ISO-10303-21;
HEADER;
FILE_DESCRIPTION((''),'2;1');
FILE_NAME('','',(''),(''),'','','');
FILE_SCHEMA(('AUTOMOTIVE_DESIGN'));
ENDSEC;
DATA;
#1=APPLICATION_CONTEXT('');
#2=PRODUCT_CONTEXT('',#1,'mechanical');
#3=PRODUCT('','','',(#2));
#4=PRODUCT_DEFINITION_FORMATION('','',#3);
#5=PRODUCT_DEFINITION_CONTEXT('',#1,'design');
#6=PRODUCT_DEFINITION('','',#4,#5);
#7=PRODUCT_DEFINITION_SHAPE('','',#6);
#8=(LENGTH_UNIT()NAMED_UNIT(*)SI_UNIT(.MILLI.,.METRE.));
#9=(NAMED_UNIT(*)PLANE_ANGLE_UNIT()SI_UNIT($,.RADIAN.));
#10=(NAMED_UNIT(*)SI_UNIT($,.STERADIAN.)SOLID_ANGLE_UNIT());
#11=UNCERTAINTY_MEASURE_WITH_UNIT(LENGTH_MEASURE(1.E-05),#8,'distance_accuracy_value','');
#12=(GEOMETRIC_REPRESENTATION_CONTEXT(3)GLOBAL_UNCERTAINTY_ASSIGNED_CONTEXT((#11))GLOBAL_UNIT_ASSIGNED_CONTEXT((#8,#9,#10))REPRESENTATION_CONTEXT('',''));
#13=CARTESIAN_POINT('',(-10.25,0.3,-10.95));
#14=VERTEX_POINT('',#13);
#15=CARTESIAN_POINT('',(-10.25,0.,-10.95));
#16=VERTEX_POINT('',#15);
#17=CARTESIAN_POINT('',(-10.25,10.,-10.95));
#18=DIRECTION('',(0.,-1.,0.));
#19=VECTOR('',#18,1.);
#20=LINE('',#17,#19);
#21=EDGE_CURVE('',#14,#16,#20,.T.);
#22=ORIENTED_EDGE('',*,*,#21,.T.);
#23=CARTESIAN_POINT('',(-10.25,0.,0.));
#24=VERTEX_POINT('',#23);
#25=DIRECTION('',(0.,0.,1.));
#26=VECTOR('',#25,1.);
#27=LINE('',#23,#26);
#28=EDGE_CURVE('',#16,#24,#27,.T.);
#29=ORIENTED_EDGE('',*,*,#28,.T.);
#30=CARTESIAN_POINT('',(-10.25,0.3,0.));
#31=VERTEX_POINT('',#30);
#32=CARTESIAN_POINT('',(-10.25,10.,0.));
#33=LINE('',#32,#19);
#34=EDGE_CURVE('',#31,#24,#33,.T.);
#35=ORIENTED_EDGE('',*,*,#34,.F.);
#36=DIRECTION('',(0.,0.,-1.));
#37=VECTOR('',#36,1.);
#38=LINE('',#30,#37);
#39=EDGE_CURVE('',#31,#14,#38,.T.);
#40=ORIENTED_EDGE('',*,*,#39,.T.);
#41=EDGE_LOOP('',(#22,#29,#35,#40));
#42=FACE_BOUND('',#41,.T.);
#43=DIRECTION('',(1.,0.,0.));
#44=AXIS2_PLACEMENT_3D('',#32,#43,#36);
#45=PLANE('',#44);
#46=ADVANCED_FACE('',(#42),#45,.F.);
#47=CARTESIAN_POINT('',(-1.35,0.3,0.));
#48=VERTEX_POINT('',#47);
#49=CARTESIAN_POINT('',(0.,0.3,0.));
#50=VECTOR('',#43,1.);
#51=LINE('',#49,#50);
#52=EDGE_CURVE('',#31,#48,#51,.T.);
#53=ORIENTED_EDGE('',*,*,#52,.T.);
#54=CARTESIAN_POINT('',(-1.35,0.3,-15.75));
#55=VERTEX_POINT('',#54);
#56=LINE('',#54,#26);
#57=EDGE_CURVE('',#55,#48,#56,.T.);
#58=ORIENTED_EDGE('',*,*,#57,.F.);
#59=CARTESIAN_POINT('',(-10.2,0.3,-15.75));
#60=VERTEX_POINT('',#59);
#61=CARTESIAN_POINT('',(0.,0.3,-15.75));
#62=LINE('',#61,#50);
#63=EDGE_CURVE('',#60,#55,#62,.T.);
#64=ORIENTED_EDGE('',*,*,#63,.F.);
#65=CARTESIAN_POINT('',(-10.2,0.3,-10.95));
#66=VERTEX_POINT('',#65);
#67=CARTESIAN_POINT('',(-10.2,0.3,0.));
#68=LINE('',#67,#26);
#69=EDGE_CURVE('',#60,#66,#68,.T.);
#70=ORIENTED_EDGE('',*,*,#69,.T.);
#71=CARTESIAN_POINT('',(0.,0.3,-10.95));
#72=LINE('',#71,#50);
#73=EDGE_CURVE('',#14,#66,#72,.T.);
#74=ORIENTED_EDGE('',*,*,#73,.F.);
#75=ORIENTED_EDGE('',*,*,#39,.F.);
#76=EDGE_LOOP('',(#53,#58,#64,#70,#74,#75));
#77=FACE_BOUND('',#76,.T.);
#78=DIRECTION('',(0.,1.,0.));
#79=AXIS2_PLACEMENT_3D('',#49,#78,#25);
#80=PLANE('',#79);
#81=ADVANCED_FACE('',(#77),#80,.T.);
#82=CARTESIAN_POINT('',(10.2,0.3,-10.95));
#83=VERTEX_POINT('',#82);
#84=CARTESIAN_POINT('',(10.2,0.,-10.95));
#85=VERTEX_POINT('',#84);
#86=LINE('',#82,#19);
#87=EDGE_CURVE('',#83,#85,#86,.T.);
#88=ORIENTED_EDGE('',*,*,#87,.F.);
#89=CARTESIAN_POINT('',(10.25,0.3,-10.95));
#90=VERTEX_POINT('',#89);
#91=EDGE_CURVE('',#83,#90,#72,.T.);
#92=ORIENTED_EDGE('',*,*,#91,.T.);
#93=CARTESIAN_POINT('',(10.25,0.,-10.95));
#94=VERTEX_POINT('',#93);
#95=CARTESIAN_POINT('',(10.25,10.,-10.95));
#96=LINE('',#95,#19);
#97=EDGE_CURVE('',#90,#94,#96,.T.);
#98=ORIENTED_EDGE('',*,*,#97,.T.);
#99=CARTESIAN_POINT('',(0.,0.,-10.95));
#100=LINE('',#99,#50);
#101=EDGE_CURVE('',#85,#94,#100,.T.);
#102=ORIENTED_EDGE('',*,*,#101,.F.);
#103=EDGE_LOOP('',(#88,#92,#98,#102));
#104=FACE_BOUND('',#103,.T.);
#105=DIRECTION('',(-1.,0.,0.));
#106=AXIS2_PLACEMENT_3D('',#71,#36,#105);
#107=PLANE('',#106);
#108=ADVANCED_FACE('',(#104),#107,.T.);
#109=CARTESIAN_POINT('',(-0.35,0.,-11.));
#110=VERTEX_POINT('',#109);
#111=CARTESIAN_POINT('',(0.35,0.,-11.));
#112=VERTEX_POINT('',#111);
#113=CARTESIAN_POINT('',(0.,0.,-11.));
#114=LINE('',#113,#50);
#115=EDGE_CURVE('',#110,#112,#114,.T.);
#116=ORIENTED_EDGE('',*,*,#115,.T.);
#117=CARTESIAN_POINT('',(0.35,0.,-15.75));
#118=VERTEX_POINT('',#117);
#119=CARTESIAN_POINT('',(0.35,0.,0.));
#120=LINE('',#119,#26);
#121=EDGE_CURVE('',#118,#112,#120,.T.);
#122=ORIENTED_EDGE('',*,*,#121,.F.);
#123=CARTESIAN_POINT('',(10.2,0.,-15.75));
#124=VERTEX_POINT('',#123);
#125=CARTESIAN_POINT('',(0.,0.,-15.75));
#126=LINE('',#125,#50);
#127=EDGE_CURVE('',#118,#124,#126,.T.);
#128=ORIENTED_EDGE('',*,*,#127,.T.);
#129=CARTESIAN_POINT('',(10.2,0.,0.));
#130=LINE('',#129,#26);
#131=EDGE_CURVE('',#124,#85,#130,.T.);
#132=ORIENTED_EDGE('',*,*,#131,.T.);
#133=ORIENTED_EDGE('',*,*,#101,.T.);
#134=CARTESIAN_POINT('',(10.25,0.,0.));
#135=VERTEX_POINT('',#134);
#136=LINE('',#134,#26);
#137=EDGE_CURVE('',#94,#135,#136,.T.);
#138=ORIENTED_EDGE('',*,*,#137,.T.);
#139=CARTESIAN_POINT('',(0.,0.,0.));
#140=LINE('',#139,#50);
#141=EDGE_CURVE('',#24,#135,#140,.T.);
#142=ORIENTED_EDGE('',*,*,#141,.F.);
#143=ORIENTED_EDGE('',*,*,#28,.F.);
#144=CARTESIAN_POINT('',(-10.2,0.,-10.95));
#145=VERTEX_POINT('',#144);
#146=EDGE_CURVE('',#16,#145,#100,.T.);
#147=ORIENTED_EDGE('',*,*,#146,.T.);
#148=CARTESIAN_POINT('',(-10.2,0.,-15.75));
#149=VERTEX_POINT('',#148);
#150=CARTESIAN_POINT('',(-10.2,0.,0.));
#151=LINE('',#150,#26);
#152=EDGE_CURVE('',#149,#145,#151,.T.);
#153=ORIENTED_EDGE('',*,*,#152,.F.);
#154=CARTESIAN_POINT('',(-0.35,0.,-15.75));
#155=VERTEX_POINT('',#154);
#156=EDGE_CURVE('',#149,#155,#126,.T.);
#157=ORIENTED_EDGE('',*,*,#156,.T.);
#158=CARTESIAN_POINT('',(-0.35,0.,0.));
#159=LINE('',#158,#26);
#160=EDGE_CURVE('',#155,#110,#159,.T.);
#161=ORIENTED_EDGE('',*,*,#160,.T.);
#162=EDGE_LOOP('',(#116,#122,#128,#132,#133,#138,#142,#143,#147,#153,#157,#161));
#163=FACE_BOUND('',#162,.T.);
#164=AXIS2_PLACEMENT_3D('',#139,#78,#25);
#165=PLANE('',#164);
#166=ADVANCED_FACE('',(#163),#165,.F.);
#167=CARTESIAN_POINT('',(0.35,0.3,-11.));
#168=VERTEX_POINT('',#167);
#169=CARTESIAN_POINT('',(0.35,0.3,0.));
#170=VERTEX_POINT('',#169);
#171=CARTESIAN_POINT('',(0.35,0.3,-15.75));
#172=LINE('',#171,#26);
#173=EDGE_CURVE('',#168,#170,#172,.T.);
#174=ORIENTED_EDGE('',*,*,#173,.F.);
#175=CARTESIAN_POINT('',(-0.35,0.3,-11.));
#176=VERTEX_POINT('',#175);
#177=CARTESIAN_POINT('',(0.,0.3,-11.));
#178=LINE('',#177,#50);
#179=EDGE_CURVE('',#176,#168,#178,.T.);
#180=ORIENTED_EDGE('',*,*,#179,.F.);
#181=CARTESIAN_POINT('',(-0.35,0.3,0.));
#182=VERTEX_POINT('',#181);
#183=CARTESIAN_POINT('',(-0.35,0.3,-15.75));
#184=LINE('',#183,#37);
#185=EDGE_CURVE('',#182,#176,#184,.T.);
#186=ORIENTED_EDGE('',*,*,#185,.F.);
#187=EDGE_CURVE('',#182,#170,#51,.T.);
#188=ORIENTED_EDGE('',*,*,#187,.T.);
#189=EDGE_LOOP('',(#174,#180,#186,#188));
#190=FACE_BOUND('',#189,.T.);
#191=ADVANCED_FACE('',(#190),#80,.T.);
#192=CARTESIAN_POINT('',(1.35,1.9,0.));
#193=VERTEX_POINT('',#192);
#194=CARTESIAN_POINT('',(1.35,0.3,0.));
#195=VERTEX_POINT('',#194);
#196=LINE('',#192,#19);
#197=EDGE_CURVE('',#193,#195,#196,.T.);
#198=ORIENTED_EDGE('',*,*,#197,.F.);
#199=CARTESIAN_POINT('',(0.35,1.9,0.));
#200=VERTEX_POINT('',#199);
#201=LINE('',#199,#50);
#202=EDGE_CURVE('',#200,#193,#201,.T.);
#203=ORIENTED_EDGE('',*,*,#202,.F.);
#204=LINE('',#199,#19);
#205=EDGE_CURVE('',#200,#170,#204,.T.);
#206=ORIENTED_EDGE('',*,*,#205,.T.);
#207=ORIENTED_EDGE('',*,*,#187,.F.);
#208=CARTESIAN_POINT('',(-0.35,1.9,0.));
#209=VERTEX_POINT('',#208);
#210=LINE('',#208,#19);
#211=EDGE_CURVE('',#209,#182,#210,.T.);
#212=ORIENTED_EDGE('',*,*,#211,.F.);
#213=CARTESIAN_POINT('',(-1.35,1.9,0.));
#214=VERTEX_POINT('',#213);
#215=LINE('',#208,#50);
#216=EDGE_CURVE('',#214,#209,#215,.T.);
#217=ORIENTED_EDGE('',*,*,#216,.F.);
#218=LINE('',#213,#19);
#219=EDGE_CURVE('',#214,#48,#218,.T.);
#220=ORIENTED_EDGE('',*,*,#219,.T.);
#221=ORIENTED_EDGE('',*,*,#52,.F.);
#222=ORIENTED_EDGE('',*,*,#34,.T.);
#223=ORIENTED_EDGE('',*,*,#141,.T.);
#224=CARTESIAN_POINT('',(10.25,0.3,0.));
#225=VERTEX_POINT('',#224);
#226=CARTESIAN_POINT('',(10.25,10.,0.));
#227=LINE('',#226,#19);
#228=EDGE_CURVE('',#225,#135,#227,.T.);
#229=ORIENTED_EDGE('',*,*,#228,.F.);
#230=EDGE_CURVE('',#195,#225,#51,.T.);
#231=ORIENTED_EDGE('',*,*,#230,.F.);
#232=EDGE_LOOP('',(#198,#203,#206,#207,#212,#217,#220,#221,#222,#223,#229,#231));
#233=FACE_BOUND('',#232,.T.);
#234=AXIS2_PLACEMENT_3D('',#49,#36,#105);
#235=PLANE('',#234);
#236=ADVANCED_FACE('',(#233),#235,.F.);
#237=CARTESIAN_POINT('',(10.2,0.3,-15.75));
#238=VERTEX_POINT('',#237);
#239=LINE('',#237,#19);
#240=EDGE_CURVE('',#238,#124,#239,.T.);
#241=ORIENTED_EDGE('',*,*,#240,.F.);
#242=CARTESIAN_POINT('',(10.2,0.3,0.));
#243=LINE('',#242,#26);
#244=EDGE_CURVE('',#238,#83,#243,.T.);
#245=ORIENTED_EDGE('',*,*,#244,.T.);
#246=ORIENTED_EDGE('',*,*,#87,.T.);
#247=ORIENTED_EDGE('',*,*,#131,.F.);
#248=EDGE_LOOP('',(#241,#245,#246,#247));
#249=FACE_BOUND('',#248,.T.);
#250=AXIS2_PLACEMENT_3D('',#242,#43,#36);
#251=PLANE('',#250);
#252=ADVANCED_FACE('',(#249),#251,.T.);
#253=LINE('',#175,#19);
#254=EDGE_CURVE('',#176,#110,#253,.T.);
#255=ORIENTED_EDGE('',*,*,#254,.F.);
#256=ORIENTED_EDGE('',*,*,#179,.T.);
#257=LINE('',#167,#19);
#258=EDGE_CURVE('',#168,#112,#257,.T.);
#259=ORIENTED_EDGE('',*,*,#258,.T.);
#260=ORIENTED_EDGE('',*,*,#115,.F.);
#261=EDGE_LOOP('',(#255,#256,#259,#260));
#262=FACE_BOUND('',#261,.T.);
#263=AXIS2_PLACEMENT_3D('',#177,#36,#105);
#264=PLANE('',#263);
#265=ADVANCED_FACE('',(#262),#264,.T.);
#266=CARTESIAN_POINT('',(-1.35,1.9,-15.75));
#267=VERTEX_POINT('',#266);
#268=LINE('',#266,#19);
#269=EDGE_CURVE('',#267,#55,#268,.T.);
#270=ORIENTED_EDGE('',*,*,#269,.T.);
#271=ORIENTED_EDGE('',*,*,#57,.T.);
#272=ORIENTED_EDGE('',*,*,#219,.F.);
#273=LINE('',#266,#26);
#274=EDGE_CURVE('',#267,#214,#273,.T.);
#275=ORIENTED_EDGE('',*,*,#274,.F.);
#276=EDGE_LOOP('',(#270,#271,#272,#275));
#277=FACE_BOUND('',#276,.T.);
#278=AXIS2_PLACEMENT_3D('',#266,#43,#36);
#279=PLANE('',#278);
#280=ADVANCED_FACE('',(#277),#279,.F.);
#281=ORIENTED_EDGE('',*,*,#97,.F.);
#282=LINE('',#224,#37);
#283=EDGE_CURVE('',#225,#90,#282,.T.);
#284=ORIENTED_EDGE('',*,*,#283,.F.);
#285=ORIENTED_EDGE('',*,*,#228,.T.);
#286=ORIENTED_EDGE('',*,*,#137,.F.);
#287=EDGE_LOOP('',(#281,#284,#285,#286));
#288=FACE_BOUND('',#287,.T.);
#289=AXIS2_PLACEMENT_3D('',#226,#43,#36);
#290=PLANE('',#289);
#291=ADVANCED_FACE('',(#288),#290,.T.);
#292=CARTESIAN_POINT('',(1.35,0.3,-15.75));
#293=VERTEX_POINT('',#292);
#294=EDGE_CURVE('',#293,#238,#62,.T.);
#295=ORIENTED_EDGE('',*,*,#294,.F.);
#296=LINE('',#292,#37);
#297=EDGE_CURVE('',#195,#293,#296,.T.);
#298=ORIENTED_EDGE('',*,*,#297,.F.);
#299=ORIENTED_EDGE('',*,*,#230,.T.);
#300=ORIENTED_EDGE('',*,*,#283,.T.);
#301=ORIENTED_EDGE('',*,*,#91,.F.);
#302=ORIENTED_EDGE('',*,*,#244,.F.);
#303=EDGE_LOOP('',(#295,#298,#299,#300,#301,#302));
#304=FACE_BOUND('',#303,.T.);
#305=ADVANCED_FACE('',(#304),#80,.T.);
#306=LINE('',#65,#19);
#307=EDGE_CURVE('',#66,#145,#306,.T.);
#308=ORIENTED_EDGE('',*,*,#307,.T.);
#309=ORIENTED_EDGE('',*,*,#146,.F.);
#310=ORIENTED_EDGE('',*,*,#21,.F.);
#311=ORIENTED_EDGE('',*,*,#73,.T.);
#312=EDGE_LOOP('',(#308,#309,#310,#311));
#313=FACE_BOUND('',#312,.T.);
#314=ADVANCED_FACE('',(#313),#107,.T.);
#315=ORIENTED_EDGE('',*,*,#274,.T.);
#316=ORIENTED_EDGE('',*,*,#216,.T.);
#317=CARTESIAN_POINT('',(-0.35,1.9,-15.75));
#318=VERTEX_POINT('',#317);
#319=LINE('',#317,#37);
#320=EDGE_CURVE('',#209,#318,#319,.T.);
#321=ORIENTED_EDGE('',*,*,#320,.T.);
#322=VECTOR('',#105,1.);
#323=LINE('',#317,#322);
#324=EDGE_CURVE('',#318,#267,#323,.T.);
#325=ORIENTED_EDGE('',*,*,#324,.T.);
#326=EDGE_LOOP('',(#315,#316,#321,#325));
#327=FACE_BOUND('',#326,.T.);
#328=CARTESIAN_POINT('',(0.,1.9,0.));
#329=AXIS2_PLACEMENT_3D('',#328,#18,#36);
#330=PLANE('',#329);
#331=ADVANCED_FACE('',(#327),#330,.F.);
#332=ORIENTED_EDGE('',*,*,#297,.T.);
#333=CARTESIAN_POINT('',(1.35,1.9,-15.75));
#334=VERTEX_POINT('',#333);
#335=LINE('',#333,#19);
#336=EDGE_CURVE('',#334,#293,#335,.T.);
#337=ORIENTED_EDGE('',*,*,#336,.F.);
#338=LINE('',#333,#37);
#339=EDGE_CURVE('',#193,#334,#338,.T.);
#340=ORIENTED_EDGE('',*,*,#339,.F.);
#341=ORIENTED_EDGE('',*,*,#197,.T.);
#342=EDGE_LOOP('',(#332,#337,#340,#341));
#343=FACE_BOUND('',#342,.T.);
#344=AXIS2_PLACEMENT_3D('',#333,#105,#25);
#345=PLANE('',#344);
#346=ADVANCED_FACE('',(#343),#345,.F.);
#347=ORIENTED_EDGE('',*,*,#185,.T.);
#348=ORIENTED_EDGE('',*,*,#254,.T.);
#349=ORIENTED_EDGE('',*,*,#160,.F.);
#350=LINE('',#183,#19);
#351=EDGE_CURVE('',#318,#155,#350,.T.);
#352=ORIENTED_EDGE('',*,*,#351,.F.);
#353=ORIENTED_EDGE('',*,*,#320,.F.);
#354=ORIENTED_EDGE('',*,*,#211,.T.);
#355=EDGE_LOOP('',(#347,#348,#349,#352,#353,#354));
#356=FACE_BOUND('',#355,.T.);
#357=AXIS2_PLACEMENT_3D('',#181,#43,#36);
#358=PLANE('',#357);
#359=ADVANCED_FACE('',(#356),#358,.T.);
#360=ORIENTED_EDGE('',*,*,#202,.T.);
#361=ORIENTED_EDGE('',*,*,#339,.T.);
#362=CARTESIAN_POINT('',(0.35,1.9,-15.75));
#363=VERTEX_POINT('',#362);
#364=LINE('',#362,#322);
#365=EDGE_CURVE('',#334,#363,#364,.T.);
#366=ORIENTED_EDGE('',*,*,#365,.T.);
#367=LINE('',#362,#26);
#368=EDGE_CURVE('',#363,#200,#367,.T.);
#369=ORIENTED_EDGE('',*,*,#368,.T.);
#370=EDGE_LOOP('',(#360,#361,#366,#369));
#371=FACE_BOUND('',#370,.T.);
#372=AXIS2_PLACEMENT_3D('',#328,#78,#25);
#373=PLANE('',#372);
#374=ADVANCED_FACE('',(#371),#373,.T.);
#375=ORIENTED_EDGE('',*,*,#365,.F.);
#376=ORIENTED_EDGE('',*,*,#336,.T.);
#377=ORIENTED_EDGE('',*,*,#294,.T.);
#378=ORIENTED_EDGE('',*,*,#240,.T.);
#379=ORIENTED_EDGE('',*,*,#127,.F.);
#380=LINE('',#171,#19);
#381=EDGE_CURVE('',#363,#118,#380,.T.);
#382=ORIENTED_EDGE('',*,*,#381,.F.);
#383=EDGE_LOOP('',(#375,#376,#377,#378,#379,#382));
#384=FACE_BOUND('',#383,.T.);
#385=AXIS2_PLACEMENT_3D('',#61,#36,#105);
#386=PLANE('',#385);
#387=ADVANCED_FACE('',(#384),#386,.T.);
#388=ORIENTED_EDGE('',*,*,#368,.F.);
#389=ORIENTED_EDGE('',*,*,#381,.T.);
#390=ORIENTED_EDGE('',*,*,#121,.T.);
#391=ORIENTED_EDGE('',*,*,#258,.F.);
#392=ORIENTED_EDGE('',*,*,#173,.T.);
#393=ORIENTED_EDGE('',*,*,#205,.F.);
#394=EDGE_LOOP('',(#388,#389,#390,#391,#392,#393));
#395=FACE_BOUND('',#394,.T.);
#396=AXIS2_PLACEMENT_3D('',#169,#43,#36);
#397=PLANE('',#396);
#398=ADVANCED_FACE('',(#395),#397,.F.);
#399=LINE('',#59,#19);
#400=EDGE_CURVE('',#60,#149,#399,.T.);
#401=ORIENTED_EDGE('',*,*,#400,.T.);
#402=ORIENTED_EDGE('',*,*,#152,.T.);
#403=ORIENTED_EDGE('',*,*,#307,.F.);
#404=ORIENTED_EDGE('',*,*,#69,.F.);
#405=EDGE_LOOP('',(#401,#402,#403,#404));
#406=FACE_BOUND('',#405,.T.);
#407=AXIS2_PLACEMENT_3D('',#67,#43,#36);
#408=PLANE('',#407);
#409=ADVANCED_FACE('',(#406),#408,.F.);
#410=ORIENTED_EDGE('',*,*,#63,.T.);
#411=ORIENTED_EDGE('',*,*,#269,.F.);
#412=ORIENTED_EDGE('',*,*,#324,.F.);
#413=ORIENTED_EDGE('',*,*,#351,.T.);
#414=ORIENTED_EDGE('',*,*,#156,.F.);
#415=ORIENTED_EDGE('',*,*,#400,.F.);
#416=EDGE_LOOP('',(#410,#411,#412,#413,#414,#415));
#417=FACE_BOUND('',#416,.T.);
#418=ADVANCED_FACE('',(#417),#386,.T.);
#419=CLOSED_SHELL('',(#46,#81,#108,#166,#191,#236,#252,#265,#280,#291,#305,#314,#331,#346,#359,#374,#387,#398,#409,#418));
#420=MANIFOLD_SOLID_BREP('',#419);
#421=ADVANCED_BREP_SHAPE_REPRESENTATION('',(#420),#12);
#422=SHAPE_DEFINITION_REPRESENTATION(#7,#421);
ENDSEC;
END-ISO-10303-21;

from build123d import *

# Parameters (mm, degrees)
BOSS_EXTRUDE1_DEPTH = 0.3
SKETCH2_W           = 1
SKETCH2_H           = 15.75
BOSS_EXTRUDE2_DEPTH = 1.6
SKETCH1_3_W         = 0.25
SKETCH1_3_H         = 10.95
CUT_EXTRUDE2_DEPTH  = 10


with BuildPart() as part:
    # Sketch1 → Boss-Extrude1 (new body)
    with BuildSketch(Plane(origin=(0, 0, 0), x_dir=(1, 0, 0), z_dir=(0, 1, 0))):
        Polygon((-10.5, 10.95), (-10.5, 0), (10.5, 0), (10.5, 10.95), (10.2, 10.95), (10.2, 15.75), (0.35, 15.75), (0.35, 11), (-0.35, 11), (-0.35, 15.75), (-10.2, 15.75), (-10.2, 10.95), align=None)
    extrude(amount=BOSS_EXTRUDE1_DEPTH)

    # Sketch2 → Boss-Extrude2 (add)
    with BuildSketch(Plane(origin=(0, 0.3, 0), x_dir=(1, 0, 0), z_dir=(0, 1, 0))):
        with Locations((-0.85, 7.875)):
            Rectangle(SKETCH2_W, SKETCH2_H)
        with Locations((0.85, 7.875)):
            Rectangle(SKETCH2_W, SKETCH2_H)
    extrude(amount=BOSS_EXTRUDE2_DEPTH)

    # Sketch1<3> → Cut-Extrude2 (cut)
    with BuildSketch(Plane(origin=(0, 0, 0), x_dir=(1, 0, 0), z_dir=(0, 1, 0))):
        with Locations((-10.375, 5.475)):
            Rectangle(SKETCH1_3_W, SKETCH1_3_H)
        with Locations((10.375, 5.475)):
            Rectangle(SKETCH1_3_W, SKETCH1_3_H)
    extrude(amount=CUT_EXTRUDE2_DEPTH, mode=Mode.SUBTRACT)


solid = part.part
